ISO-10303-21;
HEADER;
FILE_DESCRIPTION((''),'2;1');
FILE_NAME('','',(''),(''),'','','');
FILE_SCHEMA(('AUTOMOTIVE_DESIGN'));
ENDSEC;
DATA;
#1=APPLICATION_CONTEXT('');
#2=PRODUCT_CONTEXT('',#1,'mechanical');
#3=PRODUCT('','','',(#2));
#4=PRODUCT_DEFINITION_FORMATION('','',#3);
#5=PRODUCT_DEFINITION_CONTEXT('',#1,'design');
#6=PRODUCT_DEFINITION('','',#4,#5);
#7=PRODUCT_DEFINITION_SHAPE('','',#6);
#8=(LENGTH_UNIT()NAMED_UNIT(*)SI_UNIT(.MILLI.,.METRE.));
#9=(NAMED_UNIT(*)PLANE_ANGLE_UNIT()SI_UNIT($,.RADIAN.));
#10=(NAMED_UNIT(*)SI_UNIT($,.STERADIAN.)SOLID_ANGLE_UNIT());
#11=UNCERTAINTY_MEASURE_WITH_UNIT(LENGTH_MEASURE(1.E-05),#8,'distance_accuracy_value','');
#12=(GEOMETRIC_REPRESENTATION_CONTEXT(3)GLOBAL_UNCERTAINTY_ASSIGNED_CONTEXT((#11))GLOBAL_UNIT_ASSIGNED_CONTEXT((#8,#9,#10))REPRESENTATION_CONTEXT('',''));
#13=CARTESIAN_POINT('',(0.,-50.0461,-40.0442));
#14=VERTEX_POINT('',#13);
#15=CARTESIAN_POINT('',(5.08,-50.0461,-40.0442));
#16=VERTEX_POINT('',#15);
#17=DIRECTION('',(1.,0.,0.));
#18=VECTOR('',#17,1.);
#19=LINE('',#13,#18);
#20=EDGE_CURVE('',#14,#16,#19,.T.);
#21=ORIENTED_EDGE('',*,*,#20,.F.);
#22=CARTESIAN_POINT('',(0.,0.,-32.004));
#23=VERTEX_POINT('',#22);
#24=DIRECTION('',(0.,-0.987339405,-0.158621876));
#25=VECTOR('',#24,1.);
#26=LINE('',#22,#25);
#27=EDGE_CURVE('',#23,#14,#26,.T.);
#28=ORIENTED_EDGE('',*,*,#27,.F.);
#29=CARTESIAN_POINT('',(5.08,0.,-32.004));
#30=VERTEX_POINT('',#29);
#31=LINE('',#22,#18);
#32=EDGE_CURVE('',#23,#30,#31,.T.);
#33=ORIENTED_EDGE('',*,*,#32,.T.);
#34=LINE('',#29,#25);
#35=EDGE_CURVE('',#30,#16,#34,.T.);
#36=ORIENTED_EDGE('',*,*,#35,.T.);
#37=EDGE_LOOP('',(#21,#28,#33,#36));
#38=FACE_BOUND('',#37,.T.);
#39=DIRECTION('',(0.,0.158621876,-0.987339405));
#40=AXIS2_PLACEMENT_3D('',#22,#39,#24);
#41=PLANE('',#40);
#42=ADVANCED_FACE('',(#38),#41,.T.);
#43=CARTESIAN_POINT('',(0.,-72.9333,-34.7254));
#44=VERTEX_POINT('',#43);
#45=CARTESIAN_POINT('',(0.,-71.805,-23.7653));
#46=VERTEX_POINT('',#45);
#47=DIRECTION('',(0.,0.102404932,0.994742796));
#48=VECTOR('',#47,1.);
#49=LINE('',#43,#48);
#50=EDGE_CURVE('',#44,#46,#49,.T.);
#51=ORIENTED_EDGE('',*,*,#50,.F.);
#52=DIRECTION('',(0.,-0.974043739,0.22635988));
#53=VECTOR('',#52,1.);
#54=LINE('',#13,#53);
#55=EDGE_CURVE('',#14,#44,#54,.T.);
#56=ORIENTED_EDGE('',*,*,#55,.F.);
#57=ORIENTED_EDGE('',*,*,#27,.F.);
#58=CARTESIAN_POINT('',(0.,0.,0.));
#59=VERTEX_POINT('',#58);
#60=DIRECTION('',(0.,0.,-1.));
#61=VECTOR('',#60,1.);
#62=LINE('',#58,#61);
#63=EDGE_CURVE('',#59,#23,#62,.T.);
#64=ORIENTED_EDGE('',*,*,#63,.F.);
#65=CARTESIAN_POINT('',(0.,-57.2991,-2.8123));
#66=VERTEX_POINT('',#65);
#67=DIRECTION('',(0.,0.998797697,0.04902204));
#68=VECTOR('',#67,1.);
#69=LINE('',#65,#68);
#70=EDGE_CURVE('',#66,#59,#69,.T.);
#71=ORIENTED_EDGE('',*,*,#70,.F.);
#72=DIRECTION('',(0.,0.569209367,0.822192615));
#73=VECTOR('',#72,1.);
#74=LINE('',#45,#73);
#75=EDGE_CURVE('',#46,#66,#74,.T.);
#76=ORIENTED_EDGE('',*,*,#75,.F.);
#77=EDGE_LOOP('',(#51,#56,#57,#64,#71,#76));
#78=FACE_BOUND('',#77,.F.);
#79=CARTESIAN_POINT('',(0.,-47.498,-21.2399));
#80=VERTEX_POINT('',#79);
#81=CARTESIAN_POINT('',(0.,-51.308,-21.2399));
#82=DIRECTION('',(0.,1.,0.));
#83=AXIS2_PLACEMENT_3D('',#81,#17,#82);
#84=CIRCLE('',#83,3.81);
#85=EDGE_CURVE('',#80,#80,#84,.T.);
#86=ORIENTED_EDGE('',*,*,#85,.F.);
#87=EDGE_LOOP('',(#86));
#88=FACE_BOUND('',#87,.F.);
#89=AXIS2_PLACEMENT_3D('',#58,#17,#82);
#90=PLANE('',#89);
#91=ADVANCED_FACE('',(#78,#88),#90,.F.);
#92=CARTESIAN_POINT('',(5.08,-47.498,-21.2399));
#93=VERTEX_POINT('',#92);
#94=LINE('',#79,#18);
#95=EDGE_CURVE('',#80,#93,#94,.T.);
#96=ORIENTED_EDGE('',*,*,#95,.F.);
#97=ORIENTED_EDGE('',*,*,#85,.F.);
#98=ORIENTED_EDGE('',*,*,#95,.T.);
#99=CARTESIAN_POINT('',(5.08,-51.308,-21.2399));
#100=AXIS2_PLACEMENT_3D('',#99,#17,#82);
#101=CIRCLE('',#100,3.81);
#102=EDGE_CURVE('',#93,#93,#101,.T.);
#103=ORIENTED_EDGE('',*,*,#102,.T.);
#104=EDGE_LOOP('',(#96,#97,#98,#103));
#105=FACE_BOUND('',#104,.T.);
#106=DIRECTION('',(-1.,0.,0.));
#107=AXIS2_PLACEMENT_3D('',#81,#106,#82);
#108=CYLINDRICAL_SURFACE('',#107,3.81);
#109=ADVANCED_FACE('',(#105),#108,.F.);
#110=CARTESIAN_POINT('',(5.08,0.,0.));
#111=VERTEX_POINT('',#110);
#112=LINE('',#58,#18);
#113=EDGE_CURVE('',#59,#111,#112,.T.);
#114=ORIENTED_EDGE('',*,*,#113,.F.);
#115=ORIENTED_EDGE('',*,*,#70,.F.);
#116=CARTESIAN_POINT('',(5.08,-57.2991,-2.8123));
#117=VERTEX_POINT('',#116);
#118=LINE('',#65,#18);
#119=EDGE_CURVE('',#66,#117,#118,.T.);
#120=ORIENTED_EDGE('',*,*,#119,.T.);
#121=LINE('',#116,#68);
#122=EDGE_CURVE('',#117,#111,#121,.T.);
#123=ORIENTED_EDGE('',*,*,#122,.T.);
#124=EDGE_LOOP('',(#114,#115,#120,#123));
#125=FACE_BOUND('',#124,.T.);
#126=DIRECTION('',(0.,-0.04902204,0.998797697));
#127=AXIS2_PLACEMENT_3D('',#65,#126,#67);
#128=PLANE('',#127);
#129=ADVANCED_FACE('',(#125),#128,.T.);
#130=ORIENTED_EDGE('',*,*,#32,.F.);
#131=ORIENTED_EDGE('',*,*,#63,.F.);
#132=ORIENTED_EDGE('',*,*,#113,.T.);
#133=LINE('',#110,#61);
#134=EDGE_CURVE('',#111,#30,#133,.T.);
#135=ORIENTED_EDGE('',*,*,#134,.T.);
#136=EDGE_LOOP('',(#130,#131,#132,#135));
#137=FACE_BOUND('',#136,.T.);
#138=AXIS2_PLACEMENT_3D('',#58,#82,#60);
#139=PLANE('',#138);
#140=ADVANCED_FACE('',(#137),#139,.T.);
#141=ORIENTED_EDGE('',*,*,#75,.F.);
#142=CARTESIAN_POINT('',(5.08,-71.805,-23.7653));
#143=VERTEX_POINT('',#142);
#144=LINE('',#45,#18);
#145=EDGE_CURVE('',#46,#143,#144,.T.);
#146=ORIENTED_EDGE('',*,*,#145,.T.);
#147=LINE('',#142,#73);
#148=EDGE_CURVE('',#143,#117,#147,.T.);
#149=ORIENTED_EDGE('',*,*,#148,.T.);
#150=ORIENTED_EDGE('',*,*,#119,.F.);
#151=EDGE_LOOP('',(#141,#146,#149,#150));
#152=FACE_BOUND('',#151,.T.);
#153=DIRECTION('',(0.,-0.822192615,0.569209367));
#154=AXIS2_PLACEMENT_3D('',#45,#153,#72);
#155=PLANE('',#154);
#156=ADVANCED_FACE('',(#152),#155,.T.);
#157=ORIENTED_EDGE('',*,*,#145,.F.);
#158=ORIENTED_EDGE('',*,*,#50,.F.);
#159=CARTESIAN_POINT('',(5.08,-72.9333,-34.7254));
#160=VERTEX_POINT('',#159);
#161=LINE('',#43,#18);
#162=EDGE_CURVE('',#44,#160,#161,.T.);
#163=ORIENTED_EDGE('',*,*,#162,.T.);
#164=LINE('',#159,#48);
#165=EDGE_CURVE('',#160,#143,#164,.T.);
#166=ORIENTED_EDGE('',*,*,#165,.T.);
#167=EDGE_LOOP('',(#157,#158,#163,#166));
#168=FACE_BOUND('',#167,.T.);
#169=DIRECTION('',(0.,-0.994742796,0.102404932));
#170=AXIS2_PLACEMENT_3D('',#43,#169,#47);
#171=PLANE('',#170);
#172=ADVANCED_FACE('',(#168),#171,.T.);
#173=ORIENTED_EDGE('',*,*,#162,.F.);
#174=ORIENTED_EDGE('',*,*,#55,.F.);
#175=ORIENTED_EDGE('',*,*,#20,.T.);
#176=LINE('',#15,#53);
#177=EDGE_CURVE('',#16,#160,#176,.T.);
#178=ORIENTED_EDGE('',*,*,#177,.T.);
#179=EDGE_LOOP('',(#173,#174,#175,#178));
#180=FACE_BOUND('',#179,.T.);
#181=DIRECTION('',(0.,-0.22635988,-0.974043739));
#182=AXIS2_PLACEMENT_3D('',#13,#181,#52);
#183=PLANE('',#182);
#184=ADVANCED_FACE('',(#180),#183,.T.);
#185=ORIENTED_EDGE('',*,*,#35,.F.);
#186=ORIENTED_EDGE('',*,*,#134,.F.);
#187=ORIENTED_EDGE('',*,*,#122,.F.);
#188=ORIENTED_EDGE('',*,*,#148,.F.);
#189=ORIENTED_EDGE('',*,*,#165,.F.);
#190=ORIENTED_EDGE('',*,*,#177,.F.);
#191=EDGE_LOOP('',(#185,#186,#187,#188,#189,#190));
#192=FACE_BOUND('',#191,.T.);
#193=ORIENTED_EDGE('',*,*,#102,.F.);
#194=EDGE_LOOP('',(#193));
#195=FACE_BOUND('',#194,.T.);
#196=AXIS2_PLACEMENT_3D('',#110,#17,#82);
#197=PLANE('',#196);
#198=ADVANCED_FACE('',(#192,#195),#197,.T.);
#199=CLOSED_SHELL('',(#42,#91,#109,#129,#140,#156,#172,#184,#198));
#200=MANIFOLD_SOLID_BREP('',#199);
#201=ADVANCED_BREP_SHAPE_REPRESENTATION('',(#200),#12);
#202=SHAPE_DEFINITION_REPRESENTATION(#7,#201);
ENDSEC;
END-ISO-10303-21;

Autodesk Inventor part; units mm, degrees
ref_plane "YZ Plane" through (0, 0, 0) normal (1, 0, 0) x (0, 1, 0)
ref_plane "XZ Plane" through (0, 0, 0) normal (0, 1, 0) x (-1, 0, 0)
ref_plane "XY Plane" through (0, 0, 0) normal (0, 0, 1) x (1, 0, 0)
sketch "Sketch1" plane through (0, 0, 0) normal (1, 0, 0) x (0, 1, 0)
  line L0 (0, 0) -> (0, -32.004)
  line L1 (6.1409, 0) -> (6.1409, -25.4) construction
  line L2 (0, -32.004) -> (-50.0461, -40.0442)
  line L3 (-50.0461, -40.0442) -> (-72.9333, -34.7254)
  line L4 (-72.9333, -34.7254) -> (-71.805, -23.7653)
  line L5 (-71.805, -23.7653) -> (-57.2991, -2.8123)
  line L6 (-57.2991, -2.8123) -> (0, 0)
  circle A0 centre (-51.308, -21.2399) radius 3.81
  dimension "d0" = 32.004
  dimension "d1" = 25.4
  dimension "d2" = 7.62
  dimension "d3" = 51.308
extrude "Extrusion1" add sketch "Sketch1" along normal blind 5.08
properties part number "Handle Insert V1"
